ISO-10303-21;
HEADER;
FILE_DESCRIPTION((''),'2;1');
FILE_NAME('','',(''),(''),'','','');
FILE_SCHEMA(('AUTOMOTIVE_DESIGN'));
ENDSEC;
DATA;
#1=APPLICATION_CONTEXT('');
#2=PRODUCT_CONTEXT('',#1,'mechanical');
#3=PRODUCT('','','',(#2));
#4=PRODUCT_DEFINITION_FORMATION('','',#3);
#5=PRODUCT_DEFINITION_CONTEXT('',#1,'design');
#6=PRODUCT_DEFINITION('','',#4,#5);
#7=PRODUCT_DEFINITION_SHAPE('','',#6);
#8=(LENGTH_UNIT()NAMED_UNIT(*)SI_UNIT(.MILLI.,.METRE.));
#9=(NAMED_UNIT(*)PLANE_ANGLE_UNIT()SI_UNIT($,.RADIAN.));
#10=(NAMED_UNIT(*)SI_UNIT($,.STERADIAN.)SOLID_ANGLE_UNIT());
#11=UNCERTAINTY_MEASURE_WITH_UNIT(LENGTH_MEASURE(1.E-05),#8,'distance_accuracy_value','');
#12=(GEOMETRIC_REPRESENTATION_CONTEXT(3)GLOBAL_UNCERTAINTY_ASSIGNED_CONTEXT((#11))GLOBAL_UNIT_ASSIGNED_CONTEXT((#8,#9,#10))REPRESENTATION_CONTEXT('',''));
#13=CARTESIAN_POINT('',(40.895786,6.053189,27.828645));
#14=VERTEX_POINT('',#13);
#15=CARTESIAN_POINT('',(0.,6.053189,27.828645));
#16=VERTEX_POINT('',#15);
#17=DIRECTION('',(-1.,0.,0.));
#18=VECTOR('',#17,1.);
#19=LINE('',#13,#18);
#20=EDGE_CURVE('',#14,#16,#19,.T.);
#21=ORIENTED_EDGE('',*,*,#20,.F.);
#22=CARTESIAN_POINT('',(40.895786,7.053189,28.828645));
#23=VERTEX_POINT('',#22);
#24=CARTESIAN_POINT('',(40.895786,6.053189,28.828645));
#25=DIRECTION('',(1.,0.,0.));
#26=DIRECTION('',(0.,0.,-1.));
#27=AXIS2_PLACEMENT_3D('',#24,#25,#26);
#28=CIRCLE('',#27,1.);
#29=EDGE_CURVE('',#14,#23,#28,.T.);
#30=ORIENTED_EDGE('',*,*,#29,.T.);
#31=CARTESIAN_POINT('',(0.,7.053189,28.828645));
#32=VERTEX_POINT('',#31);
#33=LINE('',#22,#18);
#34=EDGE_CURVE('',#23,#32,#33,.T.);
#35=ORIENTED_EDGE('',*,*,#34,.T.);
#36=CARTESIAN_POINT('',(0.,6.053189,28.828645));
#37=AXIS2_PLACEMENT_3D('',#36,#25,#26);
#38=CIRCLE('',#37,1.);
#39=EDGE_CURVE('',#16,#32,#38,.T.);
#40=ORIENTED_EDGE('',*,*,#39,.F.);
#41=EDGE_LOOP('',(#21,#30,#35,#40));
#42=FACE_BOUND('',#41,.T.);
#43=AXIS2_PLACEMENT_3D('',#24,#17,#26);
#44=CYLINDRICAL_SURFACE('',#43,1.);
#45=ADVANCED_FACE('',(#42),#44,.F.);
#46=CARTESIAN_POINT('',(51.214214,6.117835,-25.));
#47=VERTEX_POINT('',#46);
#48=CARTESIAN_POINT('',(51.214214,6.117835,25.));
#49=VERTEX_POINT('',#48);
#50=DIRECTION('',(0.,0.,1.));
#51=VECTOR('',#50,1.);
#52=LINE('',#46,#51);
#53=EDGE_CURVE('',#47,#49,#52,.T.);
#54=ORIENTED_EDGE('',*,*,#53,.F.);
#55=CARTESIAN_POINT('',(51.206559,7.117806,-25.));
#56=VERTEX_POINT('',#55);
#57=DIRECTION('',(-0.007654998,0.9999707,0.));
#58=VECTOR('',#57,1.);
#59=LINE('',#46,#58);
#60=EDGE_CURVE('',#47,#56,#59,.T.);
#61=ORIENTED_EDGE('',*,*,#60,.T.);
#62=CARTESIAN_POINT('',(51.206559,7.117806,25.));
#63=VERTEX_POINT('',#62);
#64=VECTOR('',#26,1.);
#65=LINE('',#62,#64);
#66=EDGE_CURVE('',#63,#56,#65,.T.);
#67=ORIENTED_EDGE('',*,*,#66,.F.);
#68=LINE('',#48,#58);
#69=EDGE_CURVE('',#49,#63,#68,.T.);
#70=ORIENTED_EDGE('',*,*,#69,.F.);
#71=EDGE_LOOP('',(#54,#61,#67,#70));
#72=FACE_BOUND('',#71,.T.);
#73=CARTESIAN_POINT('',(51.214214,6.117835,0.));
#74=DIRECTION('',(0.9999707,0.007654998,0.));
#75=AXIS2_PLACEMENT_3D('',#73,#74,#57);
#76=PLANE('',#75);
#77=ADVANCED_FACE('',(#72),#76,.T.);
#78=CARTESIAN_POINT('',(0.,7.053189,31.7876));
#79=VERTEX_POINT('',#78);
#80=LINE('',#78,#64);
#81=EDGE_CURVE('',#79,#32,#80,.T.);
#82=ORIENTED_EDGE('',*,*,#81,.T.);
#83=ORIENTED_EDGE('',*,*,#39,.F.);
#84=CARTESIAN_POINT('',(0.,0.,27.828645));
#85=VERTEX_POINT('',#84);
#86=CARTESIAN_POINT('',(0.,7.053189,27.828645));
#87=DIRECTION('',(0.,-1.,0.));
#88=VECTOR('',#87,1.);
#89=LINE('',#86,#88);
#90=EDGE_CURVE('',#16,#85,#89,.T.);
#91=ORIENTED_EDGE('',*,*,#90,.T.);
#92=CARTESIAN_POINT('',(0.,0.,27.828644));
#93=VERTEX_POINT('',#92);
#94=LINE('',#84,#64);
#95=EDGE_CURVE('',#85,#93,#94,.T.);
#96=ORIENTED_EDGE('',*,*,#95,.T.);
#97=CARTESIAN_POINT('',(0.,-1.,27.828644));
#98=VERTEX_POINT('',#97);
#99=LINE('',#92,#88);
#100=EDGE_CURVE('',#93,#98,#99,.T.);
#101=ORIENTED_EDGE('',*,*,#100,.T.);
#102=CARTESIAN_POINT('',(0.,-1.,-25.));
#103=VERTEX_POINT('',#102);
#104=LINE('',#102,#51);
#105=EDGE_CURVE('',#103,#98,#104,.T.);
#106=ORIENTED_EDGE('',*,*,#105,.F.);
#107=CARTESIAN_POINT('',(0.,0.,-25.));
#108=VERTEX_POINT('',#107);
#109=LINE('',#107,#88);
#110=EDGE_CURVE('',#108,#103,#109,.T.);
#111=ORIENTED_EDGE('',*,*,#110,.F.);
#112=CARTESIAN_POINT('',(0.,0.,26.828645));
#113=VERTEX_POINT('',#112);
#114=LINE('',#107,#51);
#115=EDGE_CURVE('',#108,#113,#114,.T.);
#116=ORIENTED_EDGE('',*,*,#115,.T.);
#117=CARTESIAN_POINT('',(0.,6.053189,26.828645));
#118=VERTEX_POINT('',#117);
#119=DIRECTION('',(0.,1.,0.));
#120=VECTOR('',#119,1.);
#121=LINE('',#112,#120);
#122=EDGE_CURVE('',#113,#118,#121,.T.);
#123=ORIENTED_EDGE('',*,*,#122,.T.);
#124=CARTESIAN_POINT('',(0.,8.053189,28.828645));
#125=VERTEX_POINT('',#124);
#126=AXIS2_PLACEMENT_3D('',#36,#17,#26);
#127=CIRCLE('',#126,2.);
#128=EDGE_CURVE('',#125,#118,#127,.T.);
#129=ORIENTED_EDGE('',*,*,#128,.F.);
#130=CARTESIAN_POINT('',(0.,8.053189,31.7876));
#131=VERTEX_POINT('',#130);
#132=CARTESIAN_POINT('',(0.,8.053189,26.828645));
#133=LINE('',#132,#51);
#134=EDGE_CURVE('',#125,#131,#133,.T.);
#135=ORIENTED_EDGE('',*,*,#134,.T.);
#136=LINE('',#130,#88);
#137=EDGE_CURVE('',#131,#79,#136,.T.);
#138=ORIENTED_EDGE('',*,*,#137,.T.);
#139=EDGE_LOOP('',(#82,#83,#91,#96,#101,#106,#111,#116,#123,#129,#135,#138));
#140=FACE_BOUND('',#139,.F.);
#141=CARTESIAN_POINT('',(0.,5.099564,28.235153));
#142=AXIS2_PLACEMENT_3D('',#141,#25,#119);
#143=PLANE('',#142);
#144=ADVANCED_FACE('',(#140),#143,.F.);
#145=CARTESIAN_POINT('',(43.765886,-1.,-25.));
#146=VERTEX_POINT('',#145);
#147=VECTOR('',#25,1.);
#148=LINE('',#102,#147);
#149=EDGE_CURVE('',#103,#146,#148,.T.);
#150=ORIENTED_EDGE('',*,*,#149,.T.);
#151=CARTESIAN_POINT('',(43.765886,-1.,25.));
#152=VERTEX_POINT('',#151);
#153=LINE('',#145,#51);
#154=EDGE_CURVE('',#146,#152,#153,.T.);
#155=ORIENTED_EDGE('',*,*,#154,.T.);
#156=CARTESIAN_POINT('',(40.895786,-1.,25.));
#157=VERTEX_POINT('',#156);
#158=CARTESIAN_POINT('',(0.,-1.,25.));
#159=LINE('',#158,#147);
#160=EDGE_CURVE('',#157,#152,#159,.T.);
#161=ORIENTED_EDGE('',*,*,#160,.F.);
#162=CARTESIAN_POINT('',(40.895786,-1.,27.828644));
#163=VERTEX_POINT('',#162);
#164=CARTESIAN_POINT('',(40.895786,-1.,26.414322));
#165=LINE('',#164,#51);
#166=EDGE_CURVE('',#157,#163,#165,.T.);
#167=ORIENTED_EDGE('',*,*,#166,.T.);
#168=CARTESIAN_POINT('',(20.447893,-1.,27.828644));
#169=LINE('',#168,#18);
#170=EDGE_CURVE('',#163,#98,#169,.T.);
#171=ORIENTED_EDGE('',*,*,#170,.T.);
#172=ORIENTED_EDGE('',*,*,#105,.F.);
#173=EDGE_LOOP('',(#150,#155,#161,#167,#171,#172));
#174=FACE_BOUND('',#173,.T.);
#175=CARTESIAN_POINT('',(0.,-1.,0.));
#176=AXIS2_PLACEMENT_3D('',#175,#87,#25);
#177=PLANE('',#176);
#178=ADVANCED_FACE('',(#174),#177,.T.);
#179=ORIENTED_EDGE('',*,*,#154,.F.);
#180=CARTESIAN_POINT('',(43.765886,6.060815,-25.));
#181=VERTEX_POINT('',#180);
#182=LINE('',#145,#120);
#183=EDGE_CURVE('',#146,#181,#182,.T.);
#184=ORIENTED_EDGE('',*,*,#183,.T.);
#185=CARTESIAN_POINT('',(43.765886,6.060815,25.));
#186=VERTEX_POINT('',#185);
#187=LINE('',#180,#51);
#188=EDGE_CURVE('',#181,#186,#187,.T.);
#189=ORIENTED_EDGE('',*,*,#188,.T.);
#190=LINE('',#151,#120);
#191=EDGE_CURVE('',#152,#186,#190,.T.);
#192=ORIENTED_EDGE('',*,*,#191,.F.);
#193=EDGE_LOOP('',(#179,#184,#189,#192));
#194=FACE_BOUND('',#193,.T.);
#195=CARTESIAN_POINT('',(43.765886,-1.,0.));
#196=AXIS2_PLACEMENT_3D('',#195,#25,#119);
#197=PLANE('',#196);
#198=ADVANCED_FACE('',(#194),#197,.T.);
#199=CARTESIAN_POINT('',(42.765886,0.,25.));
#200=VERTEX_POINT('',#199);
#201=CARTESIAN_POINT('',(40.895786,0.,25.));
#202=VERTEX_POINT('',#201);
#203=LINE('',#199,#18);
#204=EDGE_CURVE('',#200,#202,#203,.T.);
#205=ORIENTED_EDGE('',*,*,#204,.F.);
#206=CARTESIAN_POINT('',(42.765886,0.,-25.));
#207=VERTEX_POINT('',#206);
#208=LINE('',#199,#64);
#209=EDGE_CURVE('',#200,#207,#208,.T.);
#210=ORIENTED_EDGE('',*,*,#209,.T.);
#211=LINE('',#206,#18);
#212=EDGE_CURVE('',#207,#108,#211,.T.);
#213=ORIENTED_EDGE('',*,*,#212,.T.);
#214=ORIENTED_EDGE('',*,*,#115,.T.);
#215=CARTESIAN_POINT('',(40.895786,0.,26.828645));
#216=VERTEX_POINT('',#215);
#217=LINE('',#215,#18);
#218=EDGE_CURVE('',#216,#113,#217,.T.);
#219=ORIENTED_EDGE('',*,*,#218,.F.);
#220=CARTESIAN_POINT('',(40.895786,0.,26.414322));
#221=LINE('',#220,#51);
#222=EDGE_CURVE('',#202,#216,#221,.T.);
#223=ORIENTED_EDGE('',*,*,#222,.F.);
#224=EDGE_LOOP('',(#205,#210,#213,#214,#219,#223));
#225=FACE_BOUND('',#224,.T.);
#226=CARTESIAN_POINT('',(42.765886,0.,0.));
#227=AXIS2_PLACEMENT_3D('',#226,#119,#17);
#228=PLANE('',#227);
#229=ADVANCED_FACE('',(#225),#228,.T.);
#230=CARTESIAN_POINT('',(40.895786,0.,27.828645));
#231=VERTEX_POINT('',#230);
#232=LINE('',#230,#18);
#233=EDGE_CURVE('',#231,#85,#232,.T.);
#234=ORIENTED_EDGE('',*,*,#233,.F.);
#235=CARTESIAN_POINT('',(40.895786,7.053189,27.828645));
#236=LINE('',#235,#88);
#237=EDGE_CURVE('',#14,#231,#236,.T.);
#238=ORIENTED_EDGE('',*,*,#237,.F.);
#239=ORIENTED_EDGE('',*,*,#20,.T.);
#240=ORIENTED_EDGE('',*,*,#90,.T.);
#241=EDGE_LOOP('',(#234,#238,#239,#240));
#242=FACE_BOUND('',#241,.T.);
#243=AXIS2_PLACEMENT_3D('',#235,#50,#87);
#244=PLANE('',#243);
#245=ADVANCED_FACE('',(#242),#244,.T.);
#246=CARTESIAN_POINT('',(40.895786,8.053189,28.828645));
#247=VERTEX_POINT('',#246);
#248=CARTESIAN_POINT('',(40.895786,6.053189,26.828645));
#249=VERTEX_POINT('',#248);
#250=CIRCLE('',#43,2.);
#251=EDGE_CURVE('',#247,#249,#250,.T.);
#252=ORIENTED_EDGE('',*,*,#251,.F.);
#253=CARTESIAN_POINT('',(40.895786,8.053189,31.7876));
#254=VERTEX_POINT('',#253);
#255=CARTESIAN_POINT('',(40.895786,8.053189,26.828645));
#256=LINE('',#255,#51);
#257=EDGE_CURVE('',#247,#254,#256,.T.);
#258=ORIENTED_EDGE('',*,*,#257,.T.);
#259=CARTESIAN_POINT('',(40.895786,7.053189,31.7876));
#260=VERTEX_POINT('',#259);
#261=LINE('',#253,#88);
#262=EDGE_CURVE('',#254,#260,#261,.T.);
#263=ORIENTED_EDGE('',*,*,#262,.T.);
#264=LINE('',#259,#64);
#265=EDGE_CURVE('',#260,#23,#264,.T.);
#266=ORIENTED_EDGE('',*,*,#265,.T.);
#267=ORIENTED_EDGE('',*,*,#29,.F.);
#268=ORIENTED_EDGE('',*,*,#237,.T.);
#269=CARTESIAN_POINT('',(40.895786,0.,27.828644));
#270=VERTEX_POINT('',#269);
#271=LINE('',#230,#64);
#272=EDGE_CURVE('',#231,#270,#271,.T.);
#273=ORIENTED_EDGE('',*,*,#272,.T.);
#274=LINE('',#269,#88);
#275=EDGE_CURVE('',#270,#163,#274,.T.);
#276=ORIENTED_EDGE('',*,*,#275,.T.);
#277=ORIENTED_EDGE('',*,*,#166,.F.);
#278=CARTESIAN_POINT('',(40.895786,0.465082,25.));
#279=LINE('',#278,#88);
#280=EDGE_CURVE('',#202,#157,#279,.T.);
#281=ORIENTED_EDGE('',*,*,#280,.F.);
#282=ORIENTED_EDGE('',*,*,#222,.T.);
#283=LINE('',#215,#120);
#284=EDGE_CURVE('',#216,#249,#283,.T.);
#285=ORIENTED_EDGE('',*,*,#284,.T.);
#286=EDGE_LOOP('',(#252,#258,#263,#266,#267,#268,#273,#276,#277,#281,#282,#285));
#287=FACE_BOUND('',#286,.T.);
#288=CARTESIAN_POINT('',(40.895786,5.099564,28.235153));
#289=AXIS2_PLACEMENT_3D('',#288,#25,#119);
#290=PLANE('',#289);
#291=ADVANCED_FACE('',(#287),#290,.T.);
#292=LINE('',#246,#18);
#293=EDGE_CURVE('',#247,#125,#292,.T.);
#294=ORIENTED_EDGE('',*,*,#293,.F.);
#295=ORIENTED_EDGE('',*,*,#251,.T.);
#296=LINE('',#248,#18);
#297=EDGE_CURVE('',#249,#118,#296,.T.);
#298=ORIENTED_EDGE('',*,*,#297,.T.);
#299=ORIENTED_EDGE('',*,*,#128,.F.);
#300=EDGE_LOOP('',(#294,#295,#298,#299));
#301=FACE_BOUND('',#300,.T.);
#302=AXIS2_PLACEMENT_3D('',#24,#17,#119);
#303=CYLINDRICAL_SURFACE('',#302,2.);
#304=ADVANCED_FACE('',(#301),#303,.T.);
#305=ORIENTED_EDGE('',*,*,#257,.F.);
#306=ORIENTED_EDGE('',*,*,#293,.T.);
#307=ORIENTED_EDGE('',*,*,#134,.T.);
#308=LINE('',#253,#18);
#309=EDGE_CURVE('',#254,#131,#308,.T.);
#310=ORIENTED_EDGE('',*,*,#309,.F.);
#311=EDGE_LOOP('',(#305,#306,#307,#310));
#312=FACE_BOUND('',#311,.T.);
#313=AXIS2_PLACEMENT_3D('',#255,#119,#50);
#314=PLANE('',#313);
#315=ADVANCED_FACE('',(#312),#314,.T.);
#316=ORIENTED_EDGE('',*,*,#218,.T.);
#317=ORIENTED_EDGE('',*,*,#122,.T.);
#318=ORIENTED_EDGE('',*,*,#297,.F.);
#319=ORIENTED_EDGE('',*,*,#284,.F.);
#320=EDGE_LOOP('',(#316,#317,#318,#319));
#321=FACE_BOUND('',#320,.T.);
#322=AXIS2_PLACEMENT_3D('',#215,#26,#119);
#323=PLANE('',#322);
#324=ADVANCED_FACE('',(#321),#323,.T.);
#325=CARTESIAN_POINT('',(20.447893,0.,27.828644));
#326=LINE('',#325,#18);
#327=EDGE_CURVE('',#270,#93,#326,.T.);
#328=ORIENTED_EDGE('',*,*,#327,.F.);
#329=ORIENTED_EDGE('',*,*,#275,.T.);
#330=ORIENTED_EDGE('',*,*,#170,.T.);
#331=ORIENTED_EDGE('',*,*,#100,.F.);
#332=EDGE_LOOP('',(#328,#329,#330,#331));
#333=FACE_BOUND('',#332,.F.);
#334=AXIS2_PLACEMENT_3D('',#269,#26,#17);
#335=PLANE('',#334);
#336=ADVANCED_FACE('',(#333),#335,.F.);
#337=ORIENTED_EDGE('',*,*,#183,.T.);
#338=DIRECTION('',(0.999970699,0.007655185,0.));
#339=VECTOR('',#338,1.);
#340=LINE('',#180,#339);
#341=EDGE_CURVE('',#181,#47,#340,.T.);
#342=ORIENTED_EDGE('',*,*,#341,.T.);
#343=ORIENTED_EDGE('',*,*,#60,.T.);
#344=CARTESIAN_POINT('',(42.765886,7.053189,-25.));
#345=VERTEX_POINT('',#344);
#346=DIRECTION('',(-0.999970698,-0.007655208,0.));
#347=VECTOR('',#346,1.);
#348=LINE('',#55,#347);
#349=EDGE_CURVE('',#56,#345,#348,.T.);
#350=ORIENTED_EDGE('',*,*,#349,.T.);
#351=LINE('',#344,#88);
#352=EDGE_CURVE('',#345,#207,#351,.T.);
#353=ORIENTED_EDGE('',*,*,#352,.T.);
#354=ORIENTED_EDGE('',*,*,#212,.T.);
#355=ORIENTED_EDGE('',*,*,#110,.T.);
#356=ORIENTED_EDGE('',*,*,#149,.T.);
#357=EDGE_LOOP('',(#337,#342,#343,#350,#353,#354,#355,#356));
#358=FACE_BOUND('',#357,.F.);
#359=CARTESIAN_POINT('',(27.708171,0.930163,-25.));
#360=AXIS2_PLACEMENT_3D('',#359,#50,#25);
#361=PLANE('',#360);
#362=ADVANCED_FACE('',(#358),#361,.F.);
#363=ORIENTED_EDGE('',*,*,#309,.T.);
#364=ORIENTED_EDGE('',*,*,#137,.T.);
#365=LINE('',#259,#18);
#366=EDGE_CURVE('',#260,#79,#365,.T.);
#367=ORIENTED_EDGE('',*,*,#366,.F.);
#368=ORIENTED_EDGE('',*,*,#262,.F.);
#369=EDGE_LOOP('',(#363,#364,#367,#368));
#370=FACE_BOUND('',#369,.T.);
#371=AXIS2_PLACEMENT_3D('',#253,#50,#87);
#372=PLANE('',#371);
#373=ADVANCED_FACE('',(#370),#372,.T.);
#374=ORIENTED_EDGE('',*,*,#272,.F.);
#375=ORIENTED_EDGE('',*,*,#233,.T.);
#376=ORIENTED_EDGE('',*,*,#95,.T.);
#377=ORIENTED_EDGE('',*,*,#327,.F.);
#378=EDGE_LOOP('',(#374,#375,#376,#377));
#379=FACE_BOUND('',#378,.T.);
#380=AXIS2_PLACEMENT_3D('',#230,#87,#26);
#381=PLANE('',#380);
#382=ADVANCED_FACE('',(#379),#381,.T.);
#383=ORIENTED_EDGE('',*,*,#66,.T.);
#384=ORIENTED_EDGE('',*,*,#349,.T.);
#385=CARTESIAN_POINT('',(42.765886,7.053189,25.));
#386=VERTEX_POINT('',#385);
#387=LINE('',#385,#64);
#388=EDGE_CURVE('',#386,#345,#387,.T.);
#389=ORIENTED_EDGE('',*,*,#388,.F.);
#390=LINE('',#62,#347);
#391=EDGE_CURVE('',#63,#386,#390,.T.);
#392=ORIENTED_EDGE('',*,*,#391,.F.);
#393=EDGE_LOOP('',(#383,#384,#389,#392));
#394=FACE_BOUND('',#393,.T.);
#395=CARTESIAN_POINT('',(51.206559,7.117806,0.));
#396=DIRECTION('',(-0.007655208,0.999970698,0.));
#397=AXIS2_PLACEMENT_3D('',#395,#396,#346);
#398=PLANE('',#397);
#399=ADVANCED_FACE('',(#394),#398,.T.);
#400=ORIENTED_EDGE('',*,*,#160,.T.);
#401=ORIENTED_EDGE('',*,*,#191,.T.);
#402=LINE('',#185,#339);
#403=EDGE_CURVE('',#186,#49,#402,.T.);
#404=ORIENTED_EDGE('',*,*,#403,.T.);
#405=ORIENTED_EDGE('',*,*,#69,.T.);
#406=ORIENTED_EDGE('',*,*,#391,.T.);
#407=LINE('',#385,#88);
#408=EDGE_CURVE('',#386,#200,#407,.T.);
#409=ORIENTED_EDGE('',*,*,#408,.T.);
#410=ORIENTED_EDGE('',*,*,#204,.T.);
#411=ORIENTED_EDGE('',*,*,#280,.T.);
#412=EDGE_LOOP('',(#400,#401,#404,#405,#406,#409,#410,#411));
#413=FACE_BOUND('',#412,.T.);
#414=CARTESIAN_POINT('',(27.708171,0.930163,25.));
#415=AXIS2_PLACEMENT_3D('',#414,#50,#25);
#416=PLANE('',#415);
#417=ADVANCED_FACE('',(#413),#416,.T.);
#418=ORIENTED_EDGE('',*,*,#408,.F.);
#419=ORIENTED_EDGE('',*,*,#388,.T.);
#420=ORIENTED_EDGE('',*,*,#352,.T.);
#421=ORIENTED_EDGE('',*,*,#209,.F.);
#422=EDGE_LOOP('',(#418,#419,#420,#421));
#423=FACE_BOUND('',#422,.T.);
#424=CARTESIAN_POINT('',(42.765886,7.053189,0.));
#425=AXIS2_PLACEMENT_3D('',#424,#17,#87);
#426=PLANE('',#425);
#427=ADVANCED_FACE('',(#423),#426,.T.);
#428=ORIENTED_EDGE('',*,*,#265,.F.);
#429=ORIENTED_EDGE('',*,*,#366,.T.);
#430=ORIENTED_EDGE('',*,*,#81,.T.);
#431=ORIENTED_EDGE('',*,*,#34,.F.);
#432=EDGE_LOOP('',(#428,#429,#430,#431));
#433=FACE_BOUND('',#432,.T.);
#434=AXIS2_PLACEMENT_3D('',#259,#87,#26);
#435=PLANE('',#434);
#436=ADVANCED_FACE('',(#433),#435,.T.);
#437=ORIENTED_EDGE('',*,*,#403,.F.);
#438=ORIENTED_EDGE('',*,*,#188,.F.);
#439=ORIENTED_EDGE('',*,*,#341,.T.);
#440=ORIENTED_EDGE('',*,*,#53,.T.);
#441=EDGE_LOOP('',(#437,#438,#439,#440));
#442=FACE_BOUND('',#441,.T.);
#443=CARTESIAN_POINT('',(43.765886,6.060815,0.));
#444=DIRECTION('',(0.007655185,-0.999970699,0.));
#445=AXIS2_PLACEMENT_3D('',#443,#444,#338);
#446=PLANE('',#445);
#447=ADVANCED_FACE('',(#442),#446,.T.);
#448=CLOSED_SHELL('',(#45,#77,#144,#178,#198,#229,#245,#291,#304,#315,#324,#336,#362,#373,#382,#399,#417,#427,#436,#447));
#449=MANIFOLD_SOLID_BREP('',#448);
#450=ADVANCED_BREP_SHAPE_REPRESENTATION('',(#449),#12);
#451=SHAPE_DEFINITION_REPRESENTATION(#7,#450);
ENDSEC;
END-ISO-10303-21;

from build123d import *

# Parameters (mm, degrees)
F1_DEPTH = 25
F2_W     = 40.895786
F2_H     = 2.828645
F3_DEPTH = 1
F5_DEPTH = 40.895786
F6_R     = 1
F7_R     = 2


with BuildPart() as f1:
    # F0 (on Top) → F1 (new body, symmetric)
    with BuildSketch(Plane.XY):
        Polygon((42.765886, 0), (0, 0), (0, -1), (43.765886, -1), (43.765886, 6.060815), (51.214214, 6.117835), (51.206559, 7.117806), (42.765886, 7.053189), align=None)
    extrude(amount=F1_DEPTH, both=True)

    # F2 (on face) → F3 (join, through all)
    with BuildSketch(Plane(origin=(0, 0, 0), x_dir=(-1, 0, 0), z_dir=(0, 1, 0))):
        with Locations((-20.447893, 26.414322)):
            Rectangle(F2_W, F2_H)
    extrude(amount=-F3_DEPTH)

    # F4 (on face) → F5 (join, through all)
    with BuildSketch(Plane.YZ.offset(40.895786)):
        Polygon((7.053189, 27.828645), (0, 27.828645), (0, 26.828645), (8.053189, 26.828645), (8.053189, 31.7876), (7.053189, 31.7876), align=None)
    extrude(amount=-F5_DEPTH)

    # F6
    f6_edges = [f1.edges().sort_by_distance(p)[0] for p in [
        (20.447893, 7.053189, 27.828645),
    ]]
    fillet(f6_edges, radius=F6_R)

    # F7
    f7_edges = [f1.edges().sort_by_distance(p)[0] for p in [
        (20.447893, 8.053189, 26.828645),
    ]]
    fillet(f7_edges, radius=F7_R)


solid = f1.part
